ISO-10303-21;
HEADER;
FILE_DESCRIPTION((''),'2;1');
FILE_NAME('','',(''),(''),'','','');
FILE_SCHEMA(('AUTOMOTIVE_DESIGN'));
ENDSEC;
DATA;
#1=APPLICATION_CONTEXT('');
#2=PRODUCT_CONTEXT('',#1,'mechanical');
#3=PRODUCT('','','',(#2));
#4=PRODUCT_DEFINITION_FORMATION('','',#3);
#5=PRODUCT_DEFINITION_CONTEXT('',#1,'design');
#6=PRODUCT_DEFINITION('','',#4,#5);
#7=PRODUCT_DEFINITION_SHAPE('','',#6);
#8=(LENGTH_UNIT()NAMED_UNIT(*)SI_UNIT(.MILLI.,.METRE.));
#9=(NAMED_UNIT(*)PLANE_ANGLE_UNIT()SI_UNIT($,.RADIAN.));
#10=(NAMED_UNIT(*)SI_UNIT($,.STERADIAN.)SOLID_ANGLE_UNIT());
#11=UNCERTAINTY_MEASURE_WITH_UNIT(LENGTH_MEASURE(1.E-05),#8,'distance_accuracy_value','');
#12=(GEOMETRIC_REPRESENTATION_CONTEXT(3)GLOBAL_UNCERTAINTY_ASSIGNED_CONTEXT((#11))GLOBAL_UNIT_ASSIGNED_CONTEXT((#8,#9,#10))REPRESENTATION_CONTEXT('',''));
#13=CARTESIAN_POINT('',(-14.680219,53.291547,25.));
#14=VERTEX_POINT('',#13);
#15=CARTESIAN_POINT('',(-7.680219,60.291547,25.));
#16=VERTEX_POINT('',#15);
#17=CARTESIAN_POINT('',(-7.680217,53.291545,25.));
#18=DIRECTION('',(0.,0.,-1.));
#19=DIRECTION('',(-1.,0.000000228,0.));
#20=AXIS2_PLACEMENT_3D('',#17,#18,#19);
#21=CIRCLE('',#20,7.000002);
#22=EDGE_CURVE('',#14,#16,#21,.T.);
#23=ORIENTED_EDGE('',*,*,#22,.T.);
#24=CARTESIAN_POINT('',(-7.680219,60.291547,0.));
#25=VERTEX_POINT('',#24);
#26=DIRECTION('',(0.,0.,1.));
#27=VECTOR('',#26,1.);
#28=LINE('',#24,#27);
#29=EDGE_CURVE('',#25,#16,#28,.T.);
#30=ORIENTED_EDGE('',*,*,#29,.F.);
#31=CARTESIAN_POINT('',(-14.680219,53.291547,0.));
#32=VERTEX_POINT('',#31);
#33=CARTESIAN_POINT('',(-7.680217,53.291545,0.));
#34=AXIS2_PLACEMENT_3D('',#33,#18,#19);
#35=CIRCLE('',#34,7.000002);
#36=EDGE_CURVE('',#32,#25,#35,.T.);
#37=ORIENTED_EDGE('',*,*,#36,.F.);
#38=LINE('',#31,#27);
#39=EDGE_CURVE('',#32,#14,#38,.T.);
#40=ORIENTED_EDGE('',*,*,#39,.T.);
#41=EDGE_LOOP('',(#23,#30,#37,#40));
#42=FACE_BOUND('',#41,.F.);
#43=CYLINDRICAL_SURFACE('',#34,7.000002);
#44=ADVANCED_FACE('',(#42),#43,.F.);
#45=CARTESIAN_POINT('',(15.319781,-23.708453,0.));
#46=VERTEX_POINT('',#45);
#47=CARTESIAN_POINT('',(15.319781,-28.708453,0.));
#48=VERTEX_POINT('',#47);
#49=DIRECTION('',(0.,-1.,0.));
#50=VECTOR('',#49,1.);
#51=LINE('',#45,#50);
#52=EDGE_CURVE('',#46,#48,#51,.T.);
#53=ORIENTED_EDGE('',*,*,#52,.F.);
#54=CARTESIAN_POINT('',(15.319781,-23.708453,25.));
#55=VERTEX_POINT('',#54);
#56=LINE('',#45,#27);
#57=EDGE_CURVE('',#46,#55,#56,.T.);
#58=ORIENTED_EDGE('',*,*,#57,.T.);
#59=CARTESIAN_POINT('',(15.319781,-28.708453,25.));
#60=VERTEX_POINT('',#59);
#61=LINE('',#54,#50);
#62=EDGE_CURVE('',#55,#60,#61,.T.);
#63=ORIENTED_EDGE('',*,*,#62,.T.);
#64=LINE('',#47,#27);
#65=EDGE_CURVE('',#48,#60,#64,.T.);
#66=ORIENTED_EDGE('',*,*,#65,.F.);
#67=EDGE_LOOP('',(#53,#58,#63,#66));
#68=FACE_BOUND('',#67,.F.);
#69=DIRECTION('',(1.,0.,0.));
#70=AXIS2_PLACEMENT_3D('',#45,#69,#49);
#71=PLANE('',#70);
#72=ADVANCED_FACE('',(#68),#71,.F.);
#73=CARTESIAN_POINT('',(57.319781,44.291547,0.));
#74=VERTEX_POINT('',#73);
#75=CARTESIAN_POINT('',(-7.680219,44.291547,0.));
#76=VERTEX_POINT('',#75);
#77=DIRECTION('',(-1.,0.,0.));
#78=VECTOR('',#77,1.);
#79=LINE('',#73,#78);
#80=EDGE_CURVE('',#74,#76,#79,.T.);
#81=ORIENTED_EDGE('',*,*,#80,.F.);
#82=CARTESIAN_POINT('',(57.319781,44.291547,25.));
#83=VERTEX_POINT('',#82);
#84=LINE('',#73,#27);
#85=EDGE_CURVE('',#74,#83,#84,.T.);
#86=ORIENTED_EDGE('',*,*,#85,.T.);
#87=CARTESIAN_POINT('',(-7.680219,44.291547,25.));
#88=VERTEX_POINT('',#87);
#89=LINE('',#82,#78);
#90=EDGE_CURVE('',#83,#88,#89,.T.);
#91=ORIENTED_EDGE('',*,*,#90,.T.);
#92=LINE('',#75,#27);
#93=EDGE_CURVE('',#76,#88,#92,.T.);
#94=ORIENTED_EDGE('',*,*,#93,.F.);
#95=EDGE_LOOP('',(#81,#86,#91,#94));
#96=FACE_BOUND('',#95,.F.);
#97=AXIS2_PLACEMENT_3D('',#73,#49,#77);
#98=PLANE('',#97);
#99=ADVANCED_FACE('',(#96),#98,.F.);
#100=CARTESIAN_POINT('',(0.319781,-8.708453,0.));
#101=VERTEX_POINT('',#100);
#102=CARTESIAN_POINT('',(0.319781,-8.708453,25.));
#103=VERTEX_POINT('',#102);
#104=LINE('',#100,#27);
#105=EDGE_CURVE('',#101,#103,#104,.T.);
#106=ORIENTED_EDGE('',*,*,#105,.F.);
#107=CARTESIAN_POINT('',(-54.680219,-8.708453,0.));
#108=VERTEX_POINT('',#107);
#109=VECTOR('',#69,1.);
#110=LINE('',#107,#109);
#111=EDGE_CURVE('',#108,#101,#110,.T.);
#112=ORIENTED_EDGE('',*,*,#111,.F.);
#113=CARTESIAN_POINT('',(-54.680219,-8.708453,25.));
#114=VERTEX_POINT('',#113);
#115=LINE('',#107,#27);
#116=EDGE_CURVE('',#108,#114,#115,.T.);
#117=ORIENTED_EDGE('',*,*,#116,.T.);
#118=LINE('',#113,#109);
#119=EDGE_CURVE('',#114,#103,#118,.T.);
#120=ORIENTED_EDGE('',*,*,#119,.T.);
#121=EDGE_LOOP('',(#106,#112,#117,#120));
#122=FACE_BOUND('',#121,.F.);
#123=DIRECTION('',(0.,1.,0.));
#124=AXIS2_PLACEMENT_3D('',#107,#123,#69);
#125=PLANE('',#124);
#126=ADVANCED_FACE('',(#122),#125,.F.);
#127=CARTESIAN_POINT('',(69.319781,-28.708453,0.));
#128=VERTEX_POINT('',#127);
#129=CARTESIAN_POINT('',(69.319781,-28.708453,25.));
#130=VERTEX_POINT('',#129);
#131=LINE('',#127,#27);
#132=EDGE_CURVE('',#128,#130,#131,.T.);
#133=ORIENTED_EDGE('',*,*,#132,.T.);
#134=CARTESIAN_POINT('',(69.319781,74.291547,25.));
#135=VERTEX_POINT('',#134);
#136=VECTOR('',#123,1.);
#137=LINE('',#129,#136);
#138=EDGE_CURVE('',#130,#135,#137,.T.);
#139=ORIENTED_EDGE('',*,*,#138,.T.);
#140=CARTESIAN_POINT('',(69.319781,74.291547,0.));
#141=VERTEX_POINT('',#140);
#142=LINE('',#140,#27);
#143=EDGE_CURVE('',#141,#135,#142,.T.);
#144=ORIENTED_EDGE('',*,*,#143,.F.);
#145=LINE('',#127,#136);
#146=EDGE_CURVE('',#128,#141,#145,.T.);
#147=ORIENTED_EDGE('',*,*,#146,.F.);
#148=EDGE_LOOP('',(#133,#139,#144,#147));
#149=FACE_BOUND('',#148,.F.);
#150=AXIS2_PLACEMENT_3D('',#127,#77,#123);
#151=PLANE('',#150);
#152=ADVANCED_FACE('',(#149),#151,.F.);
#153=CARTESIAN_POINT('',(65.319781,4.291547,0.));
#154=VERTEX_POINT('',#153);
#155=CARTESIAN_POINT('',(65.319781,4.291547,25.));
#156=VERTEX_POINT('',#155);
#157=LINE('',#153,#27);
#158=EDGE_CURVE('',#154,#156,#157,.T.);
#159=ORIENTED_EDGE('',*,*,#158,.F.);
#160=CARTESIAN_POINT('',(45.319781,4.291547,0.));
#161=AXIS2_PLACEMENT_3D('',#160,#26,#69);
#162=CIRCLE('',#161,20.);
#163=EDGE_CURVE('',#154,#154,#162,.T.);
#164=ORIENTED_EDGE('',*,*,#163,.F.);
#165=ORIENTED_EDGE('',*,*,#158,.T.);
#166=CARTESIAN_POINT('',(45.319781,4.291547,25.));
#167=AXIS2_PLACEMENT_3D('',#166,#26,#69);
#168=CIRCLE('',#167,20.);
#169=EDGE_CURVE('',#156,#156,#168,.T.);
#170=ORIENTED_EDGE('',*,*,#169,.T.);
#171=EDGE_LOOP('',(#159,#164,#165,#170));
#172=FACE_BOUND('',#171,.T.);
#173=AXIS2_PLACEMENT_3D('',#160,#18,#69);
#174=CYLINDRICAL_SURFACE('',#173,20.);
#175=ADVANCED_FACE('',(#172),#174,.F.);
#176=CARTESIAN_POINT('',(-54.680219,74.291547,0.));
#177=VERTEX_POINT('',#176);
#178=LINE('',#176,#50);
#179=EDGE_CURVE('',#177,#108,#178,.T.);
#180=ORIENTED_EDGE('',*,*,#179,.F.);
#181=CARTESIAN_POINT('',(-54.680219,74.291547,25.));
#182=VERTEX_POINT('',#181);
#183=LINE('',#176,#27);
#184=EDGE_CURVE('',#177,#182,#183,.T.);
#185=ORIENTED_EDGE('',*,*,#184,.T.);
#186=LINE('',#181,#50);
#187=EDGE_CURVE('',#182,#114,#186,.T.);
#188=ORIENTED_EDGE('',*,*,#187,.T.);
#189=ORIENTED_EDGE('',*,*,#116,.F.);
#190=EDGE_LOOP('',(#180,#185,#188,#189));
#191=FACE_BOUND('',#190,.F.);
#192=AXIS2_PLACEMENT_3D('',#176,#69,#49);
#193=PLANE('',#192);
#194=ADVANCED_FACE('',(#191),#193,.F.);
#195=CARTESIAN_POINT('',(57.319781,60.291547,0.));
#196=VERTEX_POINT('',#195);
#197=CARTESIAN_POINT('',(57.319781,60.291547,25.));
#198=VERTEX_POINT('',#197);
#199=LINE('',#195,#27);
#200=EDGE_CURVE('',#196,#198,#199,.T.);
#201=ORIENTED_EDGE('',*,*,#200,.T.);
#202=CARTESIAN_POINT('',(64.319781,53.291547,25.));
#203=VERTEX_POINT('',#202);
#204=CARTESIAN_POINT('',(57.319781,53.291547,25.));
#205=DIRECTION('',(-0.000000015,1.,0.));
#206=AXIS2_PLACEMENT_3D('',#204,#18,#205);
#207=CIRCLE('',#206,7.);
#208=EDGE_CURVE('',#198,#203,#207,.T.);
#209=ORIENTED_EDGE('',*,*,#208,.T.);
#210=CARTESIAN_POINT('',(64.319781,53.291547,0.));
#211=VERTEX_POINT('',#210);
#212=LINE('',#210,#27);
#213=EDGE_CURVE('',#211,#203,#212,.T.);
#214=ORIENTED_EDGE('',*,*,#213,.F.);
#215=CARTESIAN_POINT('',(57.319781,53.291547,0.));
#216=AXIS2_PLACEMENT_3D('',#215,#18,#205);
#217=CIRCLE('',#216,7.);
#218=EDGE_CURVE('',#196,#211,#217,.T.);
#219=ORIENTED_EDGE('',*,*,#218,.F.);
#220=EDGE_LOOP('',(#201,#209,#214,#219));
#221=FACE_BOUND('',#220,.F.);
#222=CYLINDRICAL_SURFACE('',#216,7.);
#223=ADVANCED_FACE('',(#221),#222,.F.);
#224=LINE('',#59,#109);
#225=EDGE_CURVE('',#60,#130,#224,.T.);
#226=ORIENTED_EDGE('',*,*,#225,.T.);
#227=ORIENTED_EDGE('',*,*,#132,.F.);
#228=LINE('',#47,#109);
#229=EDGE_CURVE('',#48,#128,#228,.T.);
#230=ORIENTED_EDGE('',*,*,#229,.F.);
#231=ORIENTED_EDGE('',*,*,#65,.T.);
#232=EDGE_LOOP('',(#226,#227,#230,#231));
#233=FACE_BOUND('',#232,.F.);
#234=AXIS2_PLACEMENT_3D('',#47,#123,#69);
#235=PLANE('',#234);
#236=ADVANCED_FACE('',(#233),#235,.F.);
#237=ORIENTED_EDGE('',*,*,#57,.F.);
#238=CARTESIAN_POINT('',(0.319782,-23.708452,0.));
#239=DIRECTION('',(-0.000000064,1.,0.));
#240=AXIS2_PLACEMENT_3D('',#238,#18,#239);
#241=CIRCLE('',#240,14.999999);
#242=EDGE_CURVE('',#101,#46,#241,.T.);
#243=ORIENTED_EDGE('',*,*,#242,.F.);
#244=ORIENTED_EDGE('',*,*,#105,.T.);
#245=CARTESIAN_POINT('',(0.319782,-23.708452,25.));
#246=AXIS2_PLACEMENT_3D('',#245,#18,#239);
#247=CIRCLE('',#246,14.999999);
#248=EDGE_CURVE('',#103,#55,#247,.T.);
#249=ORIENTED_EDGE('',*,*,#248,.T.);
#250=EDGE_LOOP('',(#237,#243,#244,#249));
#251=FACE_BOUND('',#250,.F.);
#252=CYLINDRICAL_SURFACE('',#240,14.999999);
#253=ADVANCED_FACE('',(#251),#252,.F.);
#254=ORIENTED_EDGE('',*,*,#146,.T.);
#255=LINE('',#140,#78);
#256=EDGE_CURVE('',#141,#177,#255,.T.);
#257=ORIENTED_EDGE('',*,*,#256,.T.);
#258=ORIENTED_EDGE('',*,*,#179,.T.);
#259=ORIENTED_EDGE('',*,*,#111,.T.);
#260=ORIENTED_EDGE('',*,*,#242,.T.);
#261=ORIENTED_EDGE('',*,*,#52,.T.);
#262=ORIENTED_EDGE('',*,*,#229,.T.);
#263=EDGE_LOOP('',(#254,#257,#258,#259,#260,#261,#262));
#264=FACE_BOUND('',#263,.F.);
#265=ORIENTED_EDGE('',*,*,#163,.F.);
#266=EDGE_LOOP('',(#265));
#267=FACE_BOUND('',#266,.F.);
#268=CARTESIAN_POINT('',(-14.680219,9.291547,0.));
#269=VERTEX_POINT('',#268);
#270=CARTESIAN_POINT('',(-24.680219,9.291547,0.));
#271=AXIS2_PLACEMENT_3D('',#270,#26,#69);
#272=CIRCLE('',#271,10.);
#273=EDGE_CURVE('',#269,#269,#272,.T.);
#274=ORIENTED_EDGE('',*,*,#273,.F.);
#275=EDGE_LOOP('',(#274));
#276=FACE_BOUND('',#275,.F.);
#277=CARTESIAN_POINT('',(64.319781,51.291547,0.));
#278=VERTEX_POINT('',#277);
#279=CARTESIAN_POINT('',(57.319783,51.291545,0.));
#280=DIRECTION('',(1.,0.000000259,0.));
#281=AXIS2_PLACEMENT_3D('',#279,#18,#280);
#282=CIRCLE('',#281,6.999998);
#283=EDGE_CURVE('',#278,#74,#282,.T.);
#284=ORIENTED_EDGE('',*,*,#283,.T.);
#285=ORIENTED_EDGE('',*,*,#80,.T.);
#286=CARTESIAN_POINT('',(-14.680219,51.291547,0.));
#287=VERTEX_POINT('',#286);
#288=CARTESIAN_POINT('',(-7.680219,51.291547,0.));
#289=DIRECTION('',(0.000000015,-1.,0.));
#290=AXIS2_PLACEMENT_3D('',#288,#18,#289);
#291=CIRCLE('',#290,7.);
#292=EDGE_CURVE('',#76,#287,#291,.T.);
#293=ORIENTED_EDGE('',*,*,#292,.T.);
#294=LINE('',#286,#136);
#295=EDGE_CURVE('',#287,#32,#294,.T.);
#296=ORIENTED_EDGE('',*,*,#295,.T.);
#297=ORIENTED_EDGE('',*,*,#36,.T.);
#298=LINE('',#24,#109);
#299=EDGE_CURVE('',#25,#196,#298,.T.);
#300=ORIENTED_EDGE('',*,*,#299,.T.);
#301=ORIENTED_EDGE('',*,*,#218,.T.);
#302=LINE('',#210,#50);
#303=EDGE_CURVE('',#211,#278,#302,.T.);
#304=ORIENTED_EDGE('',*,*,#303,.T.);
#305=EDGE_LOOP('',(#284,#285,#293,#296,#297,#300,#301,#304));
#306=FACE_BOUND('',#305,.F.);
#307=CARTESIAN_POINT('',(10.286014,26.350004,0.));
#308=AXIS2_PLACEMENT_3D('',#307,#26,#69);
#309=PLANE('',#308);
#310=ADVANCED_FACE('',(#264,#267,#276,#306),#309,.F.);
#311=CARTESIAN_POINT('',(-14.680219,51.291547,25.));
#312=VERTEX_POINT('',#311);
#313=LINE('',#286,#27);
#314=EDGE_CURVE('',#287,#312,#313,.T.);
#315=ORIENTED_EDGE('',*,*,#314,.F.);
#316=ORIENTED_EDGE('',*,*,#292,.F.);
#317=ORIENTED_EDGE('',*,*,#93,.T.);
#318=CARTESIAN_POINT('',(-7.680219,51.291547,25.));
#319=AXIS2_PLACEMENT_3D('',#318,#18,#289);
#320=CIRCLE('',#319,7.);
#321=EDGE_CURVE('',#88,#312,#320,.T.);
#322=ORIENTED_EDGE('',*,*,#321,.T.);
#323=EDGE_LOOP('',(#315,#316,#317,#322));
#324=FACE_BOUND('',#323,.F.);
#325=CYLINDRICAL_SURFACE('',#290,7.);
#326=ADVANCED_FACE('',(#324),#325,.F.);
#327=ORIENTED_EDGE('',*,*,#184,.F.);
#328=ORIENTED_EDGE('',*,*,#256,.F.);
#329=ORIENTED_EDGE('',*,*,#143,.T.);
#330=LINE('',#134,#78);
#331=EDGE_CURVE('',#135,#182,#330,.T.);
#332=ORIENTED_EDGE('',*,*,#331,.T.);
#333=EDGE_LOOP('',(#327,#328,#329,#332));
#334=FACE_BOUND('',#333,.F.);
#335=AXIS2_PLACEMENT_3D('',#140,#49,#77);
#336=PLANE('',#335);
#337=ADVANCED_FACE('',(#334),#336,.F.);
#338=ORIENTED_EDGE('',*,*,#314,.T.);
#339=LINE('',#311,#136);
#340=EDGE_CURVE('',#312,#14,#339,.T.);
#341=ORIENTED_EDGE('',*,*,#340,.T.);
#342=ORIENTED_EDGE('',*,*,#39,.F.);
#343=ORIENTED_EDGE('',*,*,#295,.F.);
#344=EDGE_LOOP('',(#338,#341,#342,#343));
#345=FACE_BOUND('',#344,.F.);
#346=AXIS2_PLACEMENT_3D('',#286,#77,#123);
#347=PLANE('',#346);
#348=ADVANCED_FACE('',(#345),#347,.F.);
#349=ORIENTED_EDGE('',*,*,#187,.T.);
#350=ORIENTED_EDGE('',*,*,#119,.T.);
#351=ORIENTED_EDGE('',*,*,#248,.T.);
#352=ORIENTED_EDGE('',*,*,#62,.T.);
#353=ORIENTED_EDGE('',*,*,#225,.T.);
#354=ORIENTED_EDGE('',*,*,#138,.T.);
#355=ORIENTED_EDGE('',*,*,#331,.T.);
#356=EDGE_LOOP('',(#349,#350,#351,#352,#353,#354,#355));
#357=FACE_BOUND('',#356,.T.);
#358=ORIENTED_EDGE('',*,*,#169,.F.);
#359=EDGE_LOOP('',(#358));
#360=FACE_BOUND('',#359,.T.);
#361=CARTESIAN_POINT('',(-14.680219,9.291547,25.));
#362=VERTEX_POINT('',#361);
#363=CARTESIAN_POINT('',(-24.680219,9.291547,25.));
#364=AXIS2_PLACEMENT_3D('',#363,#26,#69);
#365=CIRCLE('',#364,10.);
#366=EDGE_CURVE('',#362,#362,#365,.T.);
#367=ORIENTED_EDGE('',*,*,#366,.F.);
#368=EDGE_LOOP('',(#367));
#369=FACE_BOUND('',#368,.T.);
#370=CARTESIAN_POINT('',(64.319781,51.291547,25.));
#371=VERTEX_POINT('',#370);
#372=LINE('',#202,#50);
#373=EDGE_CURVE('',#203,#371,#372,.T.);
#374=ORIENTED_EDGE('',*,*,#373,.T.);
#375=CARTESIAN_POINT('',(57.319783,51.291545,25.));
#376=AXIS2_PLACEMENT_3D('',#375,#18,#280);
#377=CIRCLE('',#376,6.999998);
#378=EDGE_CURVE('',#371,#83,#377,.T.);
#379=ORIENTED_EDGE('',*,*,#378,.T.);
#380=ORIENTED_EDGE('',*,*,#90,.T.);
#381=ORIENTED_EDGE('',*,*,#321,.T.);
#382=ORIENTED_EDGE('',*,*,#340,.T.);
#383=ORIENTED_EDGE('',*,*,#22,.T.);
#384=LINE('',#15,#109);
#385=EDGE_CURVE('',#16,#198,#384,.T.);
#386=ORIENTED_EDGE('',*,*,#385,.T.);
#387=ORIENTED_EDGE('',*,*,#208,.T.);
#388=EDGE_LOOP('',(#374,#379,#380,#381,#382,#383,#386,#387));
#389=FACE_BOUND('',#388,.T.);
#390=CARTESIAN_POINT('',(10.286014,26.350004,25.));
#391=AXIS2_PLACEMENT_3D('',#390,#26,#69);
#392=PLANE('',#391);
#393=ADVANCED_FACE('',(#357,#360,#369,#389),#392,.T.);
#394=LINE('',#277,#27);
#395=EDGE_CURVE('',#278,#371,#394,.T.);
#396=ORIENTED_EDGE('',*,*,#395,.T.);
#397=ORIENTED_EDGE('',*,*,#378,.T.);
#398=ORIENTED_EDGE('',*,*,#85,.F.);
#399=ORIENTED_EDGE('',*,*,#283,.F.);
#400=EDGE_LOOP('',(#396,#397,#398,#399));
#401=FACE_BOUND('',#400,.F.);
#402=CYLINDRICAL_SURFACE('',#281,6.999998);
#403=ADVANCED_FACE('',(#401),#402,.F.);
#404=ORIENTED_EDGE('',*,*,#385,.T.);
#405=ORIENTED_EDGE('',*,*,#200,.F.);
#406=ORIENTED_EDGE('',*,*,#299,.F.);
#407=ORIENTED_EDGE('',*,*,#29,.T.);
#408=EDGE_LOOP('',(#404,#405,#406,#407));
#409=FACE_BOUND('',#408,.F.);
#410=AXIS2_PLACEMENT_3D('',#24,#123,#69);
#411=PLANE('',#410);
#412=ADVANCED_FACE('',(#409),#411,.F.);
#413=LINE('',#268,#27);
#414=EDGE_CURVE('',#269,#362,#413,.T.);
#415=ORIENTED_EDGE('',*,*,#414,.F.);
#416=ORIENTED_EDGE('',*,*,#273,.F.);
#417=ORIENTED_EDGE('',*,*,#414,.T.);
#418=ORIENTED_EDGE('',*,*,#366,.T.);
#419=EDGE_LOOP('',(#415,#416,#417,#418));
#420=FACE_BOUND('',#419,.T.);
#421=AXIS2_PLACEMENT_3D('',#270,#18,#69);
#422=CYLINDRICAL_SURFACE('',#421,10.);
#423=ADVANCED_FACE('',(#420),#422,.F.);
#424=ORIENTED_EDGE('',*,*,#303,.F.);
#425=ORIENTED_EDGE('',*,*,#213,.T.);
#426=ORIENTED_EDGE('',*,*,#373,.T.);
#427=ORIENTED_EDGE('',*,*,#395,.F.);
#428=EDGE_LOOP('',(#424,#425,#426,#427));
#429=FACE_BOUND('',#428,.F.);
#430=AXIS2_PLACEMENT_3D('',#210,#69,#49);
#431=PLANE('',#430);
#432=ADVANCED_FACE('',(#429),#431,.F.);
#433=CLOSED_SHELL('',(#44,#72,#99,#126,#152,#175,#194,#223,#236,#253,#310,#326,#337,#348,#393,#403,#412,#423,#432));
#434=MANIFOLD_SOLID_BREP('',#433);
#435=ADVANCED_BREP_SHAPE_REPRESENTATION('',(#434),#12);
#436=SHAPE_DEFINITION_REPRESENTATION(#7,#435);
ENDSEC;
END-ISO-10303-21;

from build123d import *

# Parameters (mm, degrees)
F0_R     = 10
F0_R_2   = 20
F1_DEPTH = 25
F2_DEPTH = 25
F3_DEPTH = 25
F4_DEPTH = 25
F5_DEPTH = 25


with BuildPart() as f1:
    # F0 (on Top) → F1 (new body)
    with BuildSketch(Plane.XY):
        with BuildLine():
            Line((69.319781, 74.291547), (-54.680219, 74.291547))
            Line((-54.680219, 74.291547), (-54.680219, -8.708453))
            Line((-54.680219, -8.708453), (0.319781, -8.708453))
            ThreePointArc((0.319781, -8.708453), (10.926383, -13.101851), (15.319781, -23.708453))
            Line((15.319781, -23.708453), (15.319781, -28.708453))
            Line((15.319781, -28.708453), (69.319781, -28.708453))
            Line((69.319781, -28.708453), (69.319781, 74.291547))
        make_face()
        with Locations((-24.680219, 9.291547)):
            Circle(F0_R, mode=Mode.SUBTRACT)
        with Locations((45.319781, 4.291547)):
            Circle(F0_R_2, mode=Mode.SUBTRACT)
        with BuildLine():
            ThreePointArc((-14.680219, 53.291547), (-12.629966, 58.241294), (-7.680219, 60.291547))
            Line((-7.680219, 60.291547), (57.319781, 60.291547))
            ThreePointArc((57.319781, 60.291547), (62.269529, 58.241294), (64.319781, 53.291547))
            Line((64.319781, 53.291547), (64.319781, 51.291547))
            ThreePointArc((64.319781, 51.291547), (62.269529, 46.341799), (57.319781, 44.291547))
            Line((57.319781, 44.291547), (-7.680219, 44.291547))
            ThreePointArc((-7.680219, 44.291547), (-12.629966, 46.341799), (-14.680219, 51.291547))
            Line((-14.680219, 51.291547), (-14.680219, 53.291547))
        make_face(mode=Mode.SUBTRACT)
    extrude(amount=F1_DEPTH)

    # F0 (on Top) → F2 (join)
    with BuildSketch(Plane.XY):
        with BuildLine():
            Line((69.319781, 74.291547), (-54.680219, 74.291547))
            Line((-54.680219, 74.291547), (-54.680219, -8.708453))
            Line((-54.680219, -8.708453), (0.319781, -8.708453))
            ThreePointArc((0.319781, -8.708453), (10.926383, -13.101851), (15.319781, -23.708453))
            Line((15.319781, -23.708453), (15.319781, -28.708453))
            Line((15.319781, -28.708453), (69.319781, -28.708453))
            Line((69.319781, -28.708453), (69.319781, 74.291547))
        make_face()
        with Locations((-24.680219, 9.291547)):
            Circle(F0_R, mode=Mode.SUBTRACT)
        with Locations((45.319781, 4.291547)):
            Circle(F0_R_2, mode=Mode.SUBTRACT)
        with BuildLine():
            ThreePointArc((-14.680219, 53.291547), (-12.629966, 58.241294), (-7.680219, 60.291547))
            Line((-7.680219, 60.291547), (57.319781, 60.291547))
            ThreePointArc((57.319781, 60.291547), (62.269529, 58.241294), (64.319781, 53.291547))
            Line((64.319781, 53.291547), (64.319781, 51.291547))
            ThreePointArc((64.319781, 51.291547), (62.269529, 46.341799), (57.319781, 44.291547))
            Line((57.319781, 44.291547), (-7.680219, 44.291547))
            ThreePointArc((-7.680219, 44.291547), (-12.629966, 46.341799), (-14.680219, 51.291547))
            Line((-14.680219, 51.291547), (-14.680219, 53.291547))
        make_face(mode=Mode.SUBTRACT)
    extrude(amount=F2_DEPTH)

    # F0 (on Top) → F3 (join)
    with BuildSketch(Plane.XY):
        with BuildLine():
            Line((69.319781, 74.291547), (-54.680219, 74.291547))
            Line((-54.680219, 74.291547), (-54.680219, -8.708453))
            Line((-54.680219, -8.708453), (0.319781, -8.708453))
            ThreePointArc((0.319781, -8.708453), (10.926383, -13.101851), (15.319781, -23.708453))
            Line((15.319781, -23.708453), (15.319781, -28.708453))
            Line((15.319781, -28.708453), (69.319781, -28.708453))
            Line((69.319781, -28.708453), (69.319781, 74.291547))
        make_face()
        with Locations((-24.680219, 9.291547)):
            Circle(F0_R, mode=Mode.SUBTRACT)
        with Locations((45.319781, 4.291547)):
            Circle(F0_R_2, mode=Mode.SUBTRACT)
        with BuildLine():
            ThreePointArc((-14.680219, 53.291547), (-12.629966, 58.241294), (-7.680219, 60.291547))
            Line((-7.680219, 60.291547), (57.319781, 60.291547))
            ThreePointArc((57.319781, 60.291547), (62.269529, 58.241294), (64.319781, 53.291547))
            Line((64.319781, 53.291547), (64.319781, 51.291547))
            ThreePointArc((64.319781, 51.291547), (62.269529, 46.341799), (57.319781, 44.291547))
            Line((57.319781, 44.291547), (-7.680219, 44.291547))
            ThreePointArc((-7.680219, 44.291547), (-12.629966, 46.341799), (-14.680219, 51.291547))
            Line((-14.680219, 51.291547), (-14.680219, 53.291547))
        make_face(mode=Mode.SUBTRACT)
    extrude(amount=F3_DEPTH)

    # F0 (on Top) → F4 (join)
    with BuildSketch(Plane.XY):
        with BuildLine():
            Line((69.319781, 74.291547), (-54.680219, 74.291547))
            Line((-54.680219, 74.291547), (-54.680219, -8.708453))
            Line((-54.680219, -8.708453), (0.319781, -8.708453))
            ThreePointArc((0.319781, -8.708453), (10.926383, -13.101851), (15.319781, -23.708453))
            Line((15.319781, -23.708453), (15.319781, -28.708453))
            Line((15.319781, -28.708453), (69.319781, -28.708453))
            Line((69.319781, -28.708453), (69.319781, 74.291547))
        make_face()
        with Locations((-24.680219, 9.291547)):
            Circle(F0_R, mode=Mode.SUBTRACT)
        with Locations((45.319781, 4.291547)):
            Circle(F0_R_2, mode=Mode.SUBTRACT)
        with BuildLine():
            ThreePointArc((-14.680219, 53.291547), (-12.629966, 58.241294), (-7.680219, 60.291547))
            Line((-7.680219, 60.291547), (57.319781, 60.291547))
            ThreePointArc((57.319781, 60.291547), (62.269529, 58.241294), (64.319781, 53.291547))
            Line((64.319781, 53.291547), (64.319781, 51.291547))
            ThreePointArc((64.319781, 51.291547), (62.269529, 46.341799), (57.319781, 44.291547))
            Line((57.319781, 44.291547), (-7.680219, 44.291547))
            ThreePointArc((-7.680219, 44.291547), (-12.629966, 46.341799), (-14.680219, 51.291547))
            Line((-14.680219, 51.291547), (-14.680219, 53.291547))
        make_face(mode=Mode.SUBTRACT)
    extrude(amount=F4_DEPTH)

    # F0 (on Top) → F5 (join)
    with BuildSketch(Plane.XY):
        with BuildLine():
            Line((69.319781, 74.291547), (-54.680219, 74.291547))
            Line((-54.680219, 74.291547), (-54.680219, -8.708453))
            Line((-54.680219, -8.708453), (0.319781, -8.708453))
            ThreePointArc((0.319781, -8.708453), (10.926383, -13.101851), (15.319781, -23.708453))
            Line((15.319781, -23.708453), (15.319781, -28.708453))
            Line((15.319781, -28.708453), (69.319781, -28.708453))
            Line((69.319781, -28.708453), (69.319781, 74.291547))
        make_face()
        with Locations((-24.680219, 9.291547)):
            Circle(F0_R, mode=Mode.SUBTRACT)
        with Locations((45.319781, 4.291547)):
            Circle(F0_R_2, mode=Mode.SUBTRACT)
        with BuildLine():
            ThreePointArc((-14.680219, 53.291547), (-12.629966, 58.241294), (-7.680219, 60.291547))
            Line((-7.680219, 60.291547), (57.319781, 60.291547))
            ThreePointArc((57.319781, 60.291547), (62.269529, 58.241294), (64.319781, 53.291547))
            Line((64.319781, 53.291547), (64.319781, 51.291547))
            ThreePointArc((64.319781, 51.291547), (62.269529, 46.341799), (57.319781, 44.291547))
            Line((57.319781, 44.291547), (-7.680219, 44.291547))
            ThreePointArc((-7.680219, 44.291547), (-12.629966, 46.341799), (-14.680219, 51.291547))
            Line((-14.680219, 51.291547), (-14.680219, 53.291547))
        make_face(mode=Mode.SUBTRACT)
    extrude(amount=F5_DEPTH)


solid = f1.part
